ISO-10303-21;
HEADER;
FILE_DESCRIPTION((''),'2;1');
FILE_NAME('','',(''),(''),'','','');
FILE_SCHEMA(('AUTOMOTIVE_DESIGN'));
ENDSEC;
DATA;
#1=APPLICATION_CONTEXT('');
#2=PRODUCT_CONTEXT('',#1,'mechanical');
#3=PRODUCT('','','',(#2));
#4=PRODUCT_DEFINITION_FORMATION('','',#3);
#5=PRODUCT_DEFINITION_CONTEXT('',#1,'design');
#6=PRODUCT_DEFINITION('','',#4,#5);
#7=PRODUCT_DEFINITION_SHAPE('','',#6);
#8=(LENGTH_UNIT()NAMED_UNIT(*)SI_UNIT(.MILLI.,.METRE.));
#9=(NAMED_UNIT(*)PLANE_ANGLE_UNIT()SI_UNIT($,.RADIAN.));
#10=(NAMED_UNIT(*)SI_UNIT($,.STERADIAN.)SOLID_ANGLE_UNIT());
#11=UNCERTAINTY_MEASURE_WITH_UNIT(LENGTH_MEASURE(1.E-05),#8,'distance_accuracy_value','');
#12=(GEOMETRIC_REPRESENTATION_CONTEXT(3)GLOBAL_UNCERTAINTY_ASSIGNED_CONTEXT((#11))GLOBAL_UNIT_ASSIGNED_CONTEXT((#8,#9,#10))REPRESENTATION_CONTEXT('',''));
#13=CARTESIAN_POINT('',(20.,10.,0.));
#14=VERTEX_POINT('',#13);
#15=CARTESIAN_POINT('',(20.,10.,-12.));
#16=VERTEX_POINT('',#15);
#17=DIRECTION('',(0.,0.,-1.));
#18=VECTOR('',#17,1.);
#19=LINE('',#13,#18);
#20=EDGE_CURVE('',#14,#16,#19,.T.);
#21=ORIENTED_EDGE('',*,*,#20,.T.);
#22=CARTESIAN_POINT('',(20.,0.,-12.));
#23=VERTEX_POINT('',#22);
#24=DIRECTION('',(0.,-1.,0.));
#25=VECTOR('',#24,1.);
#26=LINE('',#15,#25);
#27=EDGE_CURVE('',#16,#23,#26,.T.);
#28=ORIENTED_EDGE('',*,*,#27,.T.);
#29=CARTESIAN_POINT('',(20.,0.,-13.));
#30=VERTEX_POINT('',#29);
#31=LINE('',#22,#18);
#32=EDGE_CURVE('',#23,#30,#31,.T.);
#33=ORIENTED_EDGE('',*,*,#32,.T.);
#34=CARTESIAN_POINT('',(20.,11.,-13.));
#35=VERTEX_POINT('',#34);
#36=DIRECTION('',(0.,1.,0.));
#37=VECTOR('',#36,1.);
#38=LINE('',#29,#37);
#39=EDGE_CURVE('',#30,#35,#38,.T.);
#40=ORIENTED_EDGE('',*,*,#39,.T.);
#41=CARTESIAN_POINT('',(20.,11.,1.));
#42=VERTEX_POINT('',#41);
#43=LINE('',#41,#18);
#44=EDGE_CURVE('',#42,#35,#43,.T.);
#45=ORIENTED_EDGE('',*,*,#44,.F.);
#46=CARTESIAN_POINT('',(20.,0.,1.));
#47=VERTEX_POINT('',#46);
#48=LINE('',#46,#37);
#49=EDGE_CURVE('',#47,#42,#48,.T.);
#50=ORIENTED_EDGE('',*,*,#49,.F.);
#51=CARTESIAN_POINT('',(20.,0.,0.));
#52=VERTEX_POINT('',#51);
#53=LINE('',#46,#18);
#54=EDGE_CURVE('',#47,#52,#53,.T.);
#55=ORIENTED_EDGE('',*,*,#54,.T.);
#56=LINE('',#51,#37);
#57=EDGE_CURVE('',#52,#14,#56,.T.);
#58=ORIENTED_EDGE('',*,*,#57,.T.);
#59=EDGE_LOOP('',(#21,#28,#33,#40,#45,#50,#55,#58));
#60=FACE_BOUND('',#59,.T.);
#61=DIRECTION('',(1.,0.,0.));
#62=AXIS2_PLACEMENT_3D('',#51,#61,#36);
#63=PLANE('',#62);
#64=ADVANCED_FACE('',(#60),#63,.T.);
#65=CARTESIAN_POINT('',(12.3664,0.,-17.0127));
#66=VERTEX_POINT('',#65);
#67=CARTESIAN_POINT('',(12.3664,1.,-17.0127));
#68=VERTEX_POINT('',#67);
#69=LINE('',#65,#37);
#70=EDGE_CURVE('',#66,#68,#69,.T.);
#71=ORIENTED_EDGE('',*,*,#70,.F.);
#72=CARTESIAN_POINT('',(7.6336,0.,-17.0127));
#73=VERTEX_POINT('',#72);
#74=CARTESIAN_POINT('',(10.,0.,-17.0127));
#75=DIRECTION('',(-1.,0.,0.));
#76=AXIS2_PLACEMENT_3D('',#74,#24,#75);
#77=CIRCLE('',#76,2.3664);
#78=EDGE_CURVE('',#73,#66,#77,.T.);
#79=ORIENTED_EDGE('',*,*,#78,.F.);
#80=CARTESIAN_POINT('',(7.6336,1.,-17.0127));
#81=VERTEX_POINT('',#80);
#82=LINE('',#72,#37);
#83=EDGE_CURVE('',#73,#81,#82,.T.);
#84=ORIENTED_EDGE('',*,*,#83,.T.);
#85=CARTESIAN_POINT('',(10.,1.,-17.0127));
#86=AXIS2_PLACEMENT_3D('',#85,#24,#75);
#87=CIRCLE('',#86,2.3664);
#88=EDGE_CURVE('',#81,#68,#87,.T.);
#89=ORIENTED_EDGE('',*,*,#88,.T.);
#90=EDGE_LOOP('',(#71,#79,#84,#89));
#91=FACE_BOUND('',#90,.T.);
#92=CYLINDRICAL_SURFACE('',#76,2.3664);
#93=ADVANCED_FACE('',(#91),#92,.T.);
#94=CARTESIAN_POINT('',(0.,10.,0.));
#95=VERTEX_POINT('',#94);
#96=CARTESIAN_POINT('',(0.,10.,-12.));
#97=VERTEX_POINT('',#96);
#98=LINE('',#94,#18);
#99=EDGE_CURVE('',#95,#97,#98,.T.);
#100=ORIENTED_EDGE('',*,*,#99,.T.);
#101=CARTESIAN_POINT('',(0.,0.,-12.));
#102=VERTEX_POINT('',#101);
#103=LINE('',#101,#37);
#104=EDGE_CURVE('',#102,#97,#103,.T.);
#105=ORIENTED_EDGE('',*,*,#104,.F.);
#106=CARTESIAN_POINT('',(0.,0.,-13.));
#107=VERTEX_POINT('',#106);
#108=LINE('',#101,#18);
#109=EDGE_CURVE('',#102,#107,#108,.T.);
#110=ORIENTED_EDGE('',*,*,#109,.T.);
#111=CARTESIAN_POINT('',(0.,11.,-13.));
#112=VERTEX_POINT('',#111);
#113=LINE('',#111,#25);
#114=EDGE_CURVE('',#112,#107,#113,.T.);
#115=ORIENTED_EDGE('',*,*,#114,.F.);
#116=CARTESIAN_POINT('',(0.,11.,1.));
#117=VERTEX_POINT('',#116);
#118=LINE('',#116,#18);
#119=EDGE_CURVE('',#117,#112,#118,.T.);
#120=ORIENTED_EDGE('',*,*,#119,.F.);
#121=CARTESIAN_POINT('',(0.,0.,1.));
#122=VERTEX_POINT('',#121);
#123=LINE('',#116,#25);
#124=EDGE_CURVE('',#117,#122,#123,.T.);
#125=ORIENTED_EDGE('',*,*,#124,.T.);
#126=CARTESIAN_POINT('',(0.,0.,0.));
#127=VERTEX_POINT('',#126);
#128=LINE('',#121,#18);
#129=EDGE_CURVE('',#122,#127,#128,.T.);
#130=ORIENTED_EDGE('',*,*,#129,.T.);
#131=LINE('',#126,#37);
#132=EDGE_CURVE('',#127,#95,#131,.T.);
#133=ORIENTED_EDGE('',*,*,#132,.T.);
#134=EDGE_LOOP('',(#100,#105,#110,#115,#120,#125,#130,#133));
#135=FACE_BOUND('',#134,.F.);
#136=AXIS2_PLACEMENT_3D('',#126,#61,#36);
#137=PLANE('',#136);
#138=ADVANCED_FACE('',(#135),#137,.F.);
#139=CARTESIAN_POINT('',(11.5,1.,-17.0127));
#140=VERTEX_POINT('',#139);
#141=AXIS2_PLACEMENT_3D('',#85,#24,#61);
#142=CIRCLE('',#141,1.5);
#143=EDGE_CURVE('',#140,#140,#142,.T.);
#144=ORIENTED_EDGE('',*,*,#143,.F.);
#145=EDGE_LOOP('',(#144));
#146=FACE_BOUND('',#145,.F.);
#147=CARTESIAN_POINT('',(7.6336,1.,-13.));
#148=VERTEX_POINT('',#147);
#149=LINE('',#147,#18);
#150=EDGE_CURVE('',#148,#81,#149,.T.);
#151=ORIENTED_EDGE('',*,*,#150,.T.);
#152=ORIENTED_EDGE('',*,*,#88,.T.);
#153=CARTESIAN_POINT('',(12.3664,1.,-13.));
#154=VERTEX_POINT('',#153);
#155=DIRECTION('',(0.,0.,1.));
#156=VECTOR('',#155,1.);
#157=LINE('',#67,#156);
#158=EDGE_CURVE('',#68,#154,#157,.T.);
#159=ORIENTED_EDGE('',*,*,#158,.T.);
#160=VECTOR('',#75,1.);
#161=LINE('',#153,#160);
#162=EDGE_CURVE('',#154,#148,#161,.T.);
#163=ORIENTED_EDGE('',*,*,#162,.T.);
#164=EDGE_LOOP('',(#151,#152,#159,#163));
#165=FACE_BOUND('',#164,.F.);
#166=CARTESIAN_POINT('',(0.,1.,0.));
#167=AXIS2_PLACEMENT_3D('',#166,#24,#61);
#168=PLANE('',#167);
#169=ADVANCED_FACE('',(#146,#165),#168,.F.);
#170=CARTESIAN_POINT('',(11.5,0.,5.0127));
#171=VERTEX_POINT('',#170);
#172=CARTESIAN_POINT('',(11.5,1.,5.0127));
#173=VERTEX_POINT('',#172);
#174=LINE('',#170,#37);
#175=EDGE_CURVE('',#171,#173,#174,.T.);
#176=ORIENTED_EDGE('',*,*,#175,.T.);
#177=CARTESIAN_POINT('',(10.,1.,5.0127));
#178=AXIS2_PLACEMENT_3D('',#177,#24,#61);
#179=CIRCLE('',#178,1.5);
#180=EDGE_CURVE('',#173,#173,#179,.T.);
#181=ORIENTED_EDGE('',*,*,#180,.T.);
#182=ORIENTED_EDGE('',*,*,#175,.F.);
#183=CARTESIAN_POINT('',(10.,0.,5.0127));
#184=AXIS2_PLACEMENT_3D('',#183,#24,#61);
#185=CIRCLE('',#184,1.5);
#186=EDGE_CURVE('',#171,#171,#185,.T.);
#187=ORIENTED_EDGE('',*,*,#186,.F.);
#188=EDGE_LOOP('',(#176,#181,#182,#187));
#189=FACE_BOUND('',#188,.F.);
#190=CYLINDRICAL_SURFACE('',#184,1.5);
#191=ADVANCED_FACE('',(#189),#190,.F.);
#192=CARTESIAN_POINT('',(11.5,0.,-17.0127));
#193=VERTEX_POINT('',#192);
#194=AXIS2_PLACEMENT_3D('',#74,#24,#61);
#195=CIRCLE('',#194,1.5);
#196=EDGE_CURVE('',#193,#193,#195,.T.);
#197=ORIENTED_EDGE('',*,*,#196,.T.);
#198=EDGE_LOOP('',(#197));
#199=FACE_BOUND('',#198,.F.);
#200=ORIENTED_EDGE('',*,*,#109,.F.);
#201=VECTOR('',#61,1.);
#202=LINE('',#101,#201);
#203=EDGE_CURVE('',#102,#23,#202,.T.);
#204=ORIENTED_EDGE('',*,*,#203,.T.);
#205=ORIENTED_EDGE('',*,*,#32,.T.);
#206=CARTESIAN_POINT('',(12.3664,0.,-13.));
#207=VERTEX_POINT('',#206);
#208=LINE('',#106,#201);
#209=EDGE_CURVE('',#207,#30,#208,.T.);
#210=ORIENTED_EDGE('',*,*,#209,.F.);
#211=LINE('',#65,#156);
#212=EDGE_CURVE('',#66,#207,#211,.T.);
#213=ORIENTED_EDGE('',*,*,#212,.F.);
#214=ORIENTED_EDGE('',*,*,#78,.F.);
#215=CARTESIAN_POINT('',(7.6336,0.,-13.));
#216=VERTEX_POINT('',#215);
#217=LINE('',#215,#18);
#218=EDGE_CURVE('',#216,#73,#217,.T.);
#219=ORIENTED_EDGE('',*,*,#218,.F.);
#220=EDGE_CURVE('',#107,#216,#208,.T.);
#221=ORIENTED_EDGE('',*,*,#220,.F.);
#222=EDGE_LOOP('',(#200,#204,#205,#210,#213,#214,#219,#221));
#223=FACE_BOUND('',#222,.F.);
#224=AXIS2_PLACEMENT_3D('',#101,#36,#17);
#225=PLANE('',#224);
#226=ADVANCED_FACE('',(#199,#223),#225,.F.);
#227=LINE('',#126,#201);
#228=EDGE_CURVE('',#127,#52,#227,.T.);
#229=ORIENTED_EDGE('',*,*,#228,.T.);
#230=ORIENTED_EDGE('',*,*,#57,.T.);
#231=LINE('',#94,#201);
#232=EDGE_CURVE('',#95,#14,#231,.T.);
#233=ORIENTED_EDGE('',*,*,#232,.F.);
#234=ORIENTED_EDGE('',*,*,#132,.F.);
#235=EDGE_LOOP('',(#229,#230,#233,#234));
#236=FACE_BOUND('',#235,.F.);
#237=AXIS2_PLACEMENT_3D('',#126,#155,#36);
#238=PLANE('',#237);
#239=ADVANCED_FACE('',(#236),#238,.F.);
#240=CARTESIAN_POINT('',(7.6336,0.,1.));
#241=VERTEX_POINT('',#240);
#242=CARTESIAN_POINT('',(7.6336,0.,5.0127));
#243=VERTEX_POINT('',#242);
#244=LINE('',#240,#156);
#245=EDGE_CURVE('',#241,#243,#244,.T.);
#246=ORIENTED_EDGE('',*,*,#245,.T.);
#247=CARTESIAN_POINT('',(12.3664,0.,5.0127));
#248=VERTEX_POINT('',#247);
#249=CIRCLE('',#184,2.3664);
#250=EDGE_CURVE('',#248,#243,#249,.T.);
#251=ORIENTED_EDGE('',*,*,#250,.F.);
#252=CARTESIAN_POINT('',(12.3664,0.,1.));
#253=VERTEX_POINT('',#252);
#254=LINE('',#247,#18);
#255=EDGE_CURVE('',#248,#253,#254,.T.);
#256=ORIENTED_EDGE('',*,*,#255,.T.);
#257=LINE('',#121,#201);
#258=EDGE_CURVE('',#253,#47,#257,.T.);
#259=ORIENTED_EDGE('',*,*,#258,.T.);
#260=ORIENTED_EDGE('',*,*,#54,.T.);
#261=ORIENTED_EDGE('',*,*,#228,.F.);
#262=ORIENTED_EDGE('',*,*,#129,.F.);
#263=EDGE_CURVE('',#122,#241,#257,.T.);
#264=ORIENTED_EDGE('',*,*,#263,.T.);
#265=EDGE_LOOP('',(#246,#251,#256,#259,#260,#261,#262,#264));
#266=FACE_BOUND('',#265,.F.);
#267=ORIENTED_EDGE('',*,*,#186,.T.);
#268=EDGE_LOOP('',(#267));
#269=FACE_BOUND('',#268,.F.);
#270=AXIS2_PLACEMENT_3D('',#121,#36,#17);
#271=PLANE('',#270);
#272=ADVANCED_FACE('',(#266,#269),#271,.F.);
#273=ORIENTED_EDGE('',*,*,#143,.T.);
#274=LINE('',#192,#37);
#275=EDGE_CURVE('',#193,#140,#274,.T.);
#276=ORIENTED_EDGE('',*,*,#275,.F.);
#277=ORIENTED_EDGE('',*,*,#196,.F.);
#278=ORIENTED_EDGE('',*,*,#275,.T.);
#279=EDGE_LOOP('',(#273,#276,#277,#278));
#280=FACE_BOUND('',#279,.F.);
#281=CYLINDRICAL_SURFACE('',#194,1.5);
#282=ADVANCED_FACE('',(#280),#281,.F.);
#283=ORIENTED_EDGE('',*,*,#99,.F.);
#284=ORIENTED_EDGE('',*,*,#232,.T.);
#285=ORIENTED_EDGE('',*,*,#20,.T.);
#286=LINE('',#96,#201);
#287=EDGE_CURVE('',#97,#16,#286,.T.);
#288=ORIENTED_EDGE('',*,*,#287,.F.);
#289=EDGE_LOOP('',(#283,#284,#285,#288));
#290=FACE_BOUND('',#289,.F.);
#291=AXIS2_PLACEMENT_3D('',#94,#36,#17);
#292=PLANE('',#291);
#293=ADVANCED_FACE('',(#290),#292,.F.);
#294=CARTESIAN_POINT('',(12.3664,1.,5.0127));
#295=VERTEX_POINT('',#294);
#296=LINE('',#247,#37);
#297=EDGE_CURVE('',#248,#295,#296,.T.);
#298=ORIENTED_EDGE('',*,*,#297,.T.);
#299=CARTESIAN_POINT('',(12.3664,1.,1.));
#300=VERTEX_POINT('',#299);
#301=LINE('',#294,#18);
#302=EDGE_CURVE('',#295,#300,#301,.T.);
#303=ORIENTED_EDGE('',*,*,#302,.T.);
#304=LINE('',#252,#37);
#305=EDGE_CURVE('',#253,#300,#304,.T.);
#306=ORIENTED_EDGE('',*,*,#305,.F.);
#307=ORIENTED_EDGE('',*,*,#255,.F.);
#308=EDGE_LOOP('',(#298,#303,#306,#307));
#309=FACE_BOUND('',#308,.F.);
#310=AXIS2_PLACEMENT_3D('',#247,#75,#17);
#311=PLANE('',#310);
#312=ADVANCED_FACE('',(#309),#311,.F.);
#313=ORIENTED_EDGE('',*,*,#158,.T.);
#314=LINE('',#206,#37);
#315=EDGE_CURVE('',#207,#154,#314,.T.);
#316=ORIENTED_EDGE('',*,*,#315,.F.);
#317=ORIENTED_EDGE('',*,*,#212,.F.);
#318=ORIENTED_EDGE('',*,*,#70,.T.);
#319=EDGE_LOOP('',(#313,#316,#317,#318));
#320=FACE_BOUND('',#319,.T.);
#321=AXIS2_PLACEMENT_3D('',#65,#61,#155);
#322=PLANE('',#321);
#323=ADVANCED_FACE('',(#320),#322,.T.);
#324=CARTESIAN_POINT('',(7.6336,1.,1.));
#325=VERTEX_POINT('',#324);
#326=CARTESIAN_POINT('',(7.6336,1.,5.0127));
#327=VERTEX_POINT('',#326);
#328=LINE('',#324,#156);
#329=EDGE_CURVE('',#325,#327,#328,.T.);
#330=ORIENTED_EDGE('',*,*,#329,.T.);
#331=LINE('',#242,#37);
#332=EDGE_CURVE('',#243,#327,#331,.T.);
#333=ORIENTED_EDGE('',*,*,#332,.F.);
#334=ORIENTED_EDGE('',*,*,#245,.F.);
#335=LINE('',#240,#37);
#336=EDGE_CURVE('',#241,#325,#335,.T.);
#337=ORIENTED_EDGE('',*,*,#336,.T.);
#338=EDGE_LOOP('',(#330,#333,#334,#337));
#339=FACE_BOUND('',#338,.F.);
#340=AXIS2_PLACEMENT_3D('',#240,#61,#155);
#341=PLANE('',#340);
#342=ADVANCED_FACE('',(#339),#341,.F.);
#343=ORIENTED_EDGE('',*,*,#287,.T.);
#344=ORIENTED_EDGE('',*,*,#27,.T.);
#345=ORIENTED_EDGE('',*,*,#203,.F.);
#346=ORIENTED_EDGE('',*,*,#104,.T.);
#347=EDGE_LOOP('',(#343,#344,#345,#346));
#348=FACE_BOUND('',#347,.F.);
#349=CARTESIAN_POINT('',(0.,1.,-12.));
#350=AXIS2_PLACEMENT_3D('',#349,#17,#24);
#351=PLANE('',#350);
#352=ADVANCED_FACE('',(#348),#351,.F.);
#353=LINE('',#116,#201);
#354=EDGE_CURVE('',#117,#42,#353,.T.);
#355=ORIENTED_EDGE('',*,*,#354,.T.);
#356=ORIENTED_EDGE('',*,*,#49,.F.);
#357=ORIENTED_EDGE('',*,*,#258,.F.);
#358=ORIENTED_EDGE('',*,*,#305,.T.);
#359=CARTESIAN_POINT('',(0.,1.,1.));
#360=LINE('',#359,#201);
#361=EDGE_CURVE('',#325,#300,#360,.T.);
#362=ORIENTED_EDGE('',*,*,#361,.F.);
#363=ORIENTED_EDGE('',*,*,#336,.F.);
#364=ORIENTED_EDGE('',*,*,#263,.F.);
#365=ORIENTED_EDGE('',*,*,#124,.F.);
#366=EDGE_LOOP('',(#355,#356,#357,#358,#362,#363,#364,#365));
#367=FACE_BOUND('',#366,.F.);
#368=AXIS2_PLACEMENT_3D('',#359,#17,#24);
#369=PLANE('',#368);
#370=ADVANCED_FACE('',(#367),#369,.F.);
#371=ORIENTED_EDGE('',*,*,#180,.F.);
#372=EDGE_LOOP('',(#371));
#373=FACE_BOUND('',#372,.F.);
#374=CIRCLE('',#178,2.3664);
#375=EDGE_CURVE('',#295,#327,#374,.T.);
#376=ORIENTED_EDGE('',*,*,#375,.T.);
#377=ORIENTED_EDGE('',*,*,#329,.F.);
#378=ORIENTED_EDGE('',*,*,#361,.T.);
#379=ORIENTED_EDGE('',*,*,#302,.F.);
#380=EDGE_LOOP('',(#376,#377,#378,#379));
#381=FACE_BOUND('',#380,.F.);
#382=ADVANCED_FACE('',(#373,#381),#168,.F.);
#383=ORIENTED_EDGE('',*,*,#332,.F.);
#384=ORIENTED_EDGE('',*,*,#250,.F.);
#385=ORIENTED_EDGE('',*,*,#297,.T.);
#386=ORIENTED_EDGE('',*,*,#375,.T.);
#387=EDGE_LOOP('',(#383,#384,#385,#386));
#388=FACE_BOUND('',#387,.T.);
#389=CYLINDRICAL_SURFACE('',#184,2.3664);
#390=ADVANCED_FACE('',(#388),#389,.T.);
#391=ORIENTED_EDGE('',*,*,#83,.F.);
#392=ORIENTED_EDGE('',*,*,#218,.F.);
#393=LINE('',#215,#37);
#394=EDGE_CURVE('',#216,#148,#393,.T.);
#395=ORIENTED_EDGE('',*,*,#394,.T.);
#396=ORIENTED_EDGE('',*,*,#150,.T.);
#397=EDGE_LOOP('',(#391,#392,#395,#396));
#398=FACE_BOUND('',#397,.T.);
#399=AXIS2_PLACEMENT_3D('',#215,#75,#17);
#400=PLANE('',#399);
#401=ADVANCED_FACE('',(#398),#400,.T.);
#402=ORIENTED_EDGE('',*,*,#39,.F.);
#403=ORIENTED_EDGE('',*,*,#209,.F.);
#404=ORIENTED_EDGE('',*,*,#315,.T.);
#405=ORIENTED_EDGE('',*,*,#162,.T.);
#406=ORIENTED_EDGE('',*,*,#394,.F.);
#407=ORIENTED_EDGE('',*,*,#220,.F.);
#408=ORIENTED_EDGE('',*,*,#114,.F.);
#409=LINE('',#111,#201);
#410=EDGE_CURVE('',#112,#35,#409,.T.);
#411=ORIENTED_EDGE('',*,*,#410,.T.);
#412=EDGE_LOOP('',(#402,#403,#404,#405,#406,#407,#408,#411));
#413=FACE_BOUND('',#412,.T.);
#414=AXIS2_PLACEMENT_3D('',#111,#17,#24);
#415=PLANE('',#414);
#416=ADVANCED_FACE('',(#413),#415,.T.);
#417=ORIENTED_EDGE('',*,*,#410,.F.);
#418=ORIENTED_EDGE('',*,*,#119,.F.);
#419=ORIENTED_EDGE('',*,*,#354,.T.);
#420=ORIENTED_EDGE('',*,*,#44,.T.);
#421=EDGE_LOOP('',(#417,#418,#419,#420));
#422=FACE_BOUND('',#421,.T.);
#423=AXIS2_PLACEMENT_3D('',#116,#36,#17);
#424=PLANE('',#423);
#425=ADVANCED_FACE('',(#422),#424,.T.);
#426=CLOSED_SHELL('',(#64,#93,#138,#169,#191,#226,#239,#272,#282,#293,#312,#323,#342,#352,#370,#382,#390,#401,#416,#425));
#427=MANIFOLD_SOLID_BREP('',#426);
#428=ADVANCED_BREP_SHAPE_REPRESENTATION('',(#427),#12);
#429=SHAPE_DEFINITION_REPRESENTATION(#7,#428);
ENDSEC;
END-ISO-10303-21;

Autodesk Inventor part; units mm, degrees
ref_plane "YZ Plane" through (0, 0, 0) normal (1, 0, 0) x (0, 1, 0)
ref_plane "XZ Plane" through (0, 0, 0) normal (0, 1, 0) x (-1, 0, 0)
sketch "Esboço1" plane through (0, 0, 0) normal (1, 0, 0) x (0, 1, 0)
  line L0 (0, 0) -> (10, 0)
  line L1 (10, 1) -> (1, 1)
  line L2 (10, 0) -> (10, -12)
  line L3 (10, -12) -> (1, -12)
  line L4 (10, 1) -> (11, 1)
  line L5 (11, 1) -> (11, -13)
  line L6 (11, -13) -> (1, -13)
  line L7 (0, 1) -> (0, 0)
  line L8 (10, 0) -> (0, 0)
  line L9 (1, -12) -> (0, -12)
  line L10 (0, -12) -> (0, -13)
  line L11 (1, -13) -> (0, -13)
  line L12 (1, 1) -> (0, 1)
extrude "Extrusão1" add sketch "Esboço1" along normal blind 20
ref_plane "Plano de trabalho1" through (0, 0, 0) normal (0, -1, 0) x (1, 0, 0)
sketch "Esboço2" plane through (0, 0, 0) normal (0, -1, 0) x (1, 0, 0)
  line L0 (0, 0) -> (20, 0) projected
  line L1 (20, 0) -> (20, -12) projected
  line L2 (20, -6) -> (22.0296, -6)
  line L3 (0, 1) -> (20, 1) projected
  line L4 (10, 1) -> (10, 5.0127) construction
  line L5 (7.6336, 1) -> (7.6336, 5.0127)
  line L6 (12.3664, 5.0127) -> (12.3664, 1)
  arc A0 (12.3664, 5.0127) -> (7.6336, 5.0127) centre (10, 5.0127) ccw
  circle A1 centre (10, 5.0127) radius 1.5
  line L7 (7.6336, -13) -> (7.6336, -17.0127)
  line L8 (12.3664, -17.0127) -> (12.3664, -13)
  arc A2 (7.6336, -17.0127) -> (12.3664, -17.0127) centre (10, -17.0127) ccw
  circle A3 centre (10, -17.0127) radius 1.5
  line L9 (12.3664, -13) -> (7.6336, -13)
  line L10 (0, -13) -> (20, -13) projected
  line L11 (12.3664, 1) -> (7.6336, 1)
  point P0 (10, 3.0064)
extrude "Extrusão2" add sketch "Esboço2" against normal blind 1
properties part number "engate_motor"
